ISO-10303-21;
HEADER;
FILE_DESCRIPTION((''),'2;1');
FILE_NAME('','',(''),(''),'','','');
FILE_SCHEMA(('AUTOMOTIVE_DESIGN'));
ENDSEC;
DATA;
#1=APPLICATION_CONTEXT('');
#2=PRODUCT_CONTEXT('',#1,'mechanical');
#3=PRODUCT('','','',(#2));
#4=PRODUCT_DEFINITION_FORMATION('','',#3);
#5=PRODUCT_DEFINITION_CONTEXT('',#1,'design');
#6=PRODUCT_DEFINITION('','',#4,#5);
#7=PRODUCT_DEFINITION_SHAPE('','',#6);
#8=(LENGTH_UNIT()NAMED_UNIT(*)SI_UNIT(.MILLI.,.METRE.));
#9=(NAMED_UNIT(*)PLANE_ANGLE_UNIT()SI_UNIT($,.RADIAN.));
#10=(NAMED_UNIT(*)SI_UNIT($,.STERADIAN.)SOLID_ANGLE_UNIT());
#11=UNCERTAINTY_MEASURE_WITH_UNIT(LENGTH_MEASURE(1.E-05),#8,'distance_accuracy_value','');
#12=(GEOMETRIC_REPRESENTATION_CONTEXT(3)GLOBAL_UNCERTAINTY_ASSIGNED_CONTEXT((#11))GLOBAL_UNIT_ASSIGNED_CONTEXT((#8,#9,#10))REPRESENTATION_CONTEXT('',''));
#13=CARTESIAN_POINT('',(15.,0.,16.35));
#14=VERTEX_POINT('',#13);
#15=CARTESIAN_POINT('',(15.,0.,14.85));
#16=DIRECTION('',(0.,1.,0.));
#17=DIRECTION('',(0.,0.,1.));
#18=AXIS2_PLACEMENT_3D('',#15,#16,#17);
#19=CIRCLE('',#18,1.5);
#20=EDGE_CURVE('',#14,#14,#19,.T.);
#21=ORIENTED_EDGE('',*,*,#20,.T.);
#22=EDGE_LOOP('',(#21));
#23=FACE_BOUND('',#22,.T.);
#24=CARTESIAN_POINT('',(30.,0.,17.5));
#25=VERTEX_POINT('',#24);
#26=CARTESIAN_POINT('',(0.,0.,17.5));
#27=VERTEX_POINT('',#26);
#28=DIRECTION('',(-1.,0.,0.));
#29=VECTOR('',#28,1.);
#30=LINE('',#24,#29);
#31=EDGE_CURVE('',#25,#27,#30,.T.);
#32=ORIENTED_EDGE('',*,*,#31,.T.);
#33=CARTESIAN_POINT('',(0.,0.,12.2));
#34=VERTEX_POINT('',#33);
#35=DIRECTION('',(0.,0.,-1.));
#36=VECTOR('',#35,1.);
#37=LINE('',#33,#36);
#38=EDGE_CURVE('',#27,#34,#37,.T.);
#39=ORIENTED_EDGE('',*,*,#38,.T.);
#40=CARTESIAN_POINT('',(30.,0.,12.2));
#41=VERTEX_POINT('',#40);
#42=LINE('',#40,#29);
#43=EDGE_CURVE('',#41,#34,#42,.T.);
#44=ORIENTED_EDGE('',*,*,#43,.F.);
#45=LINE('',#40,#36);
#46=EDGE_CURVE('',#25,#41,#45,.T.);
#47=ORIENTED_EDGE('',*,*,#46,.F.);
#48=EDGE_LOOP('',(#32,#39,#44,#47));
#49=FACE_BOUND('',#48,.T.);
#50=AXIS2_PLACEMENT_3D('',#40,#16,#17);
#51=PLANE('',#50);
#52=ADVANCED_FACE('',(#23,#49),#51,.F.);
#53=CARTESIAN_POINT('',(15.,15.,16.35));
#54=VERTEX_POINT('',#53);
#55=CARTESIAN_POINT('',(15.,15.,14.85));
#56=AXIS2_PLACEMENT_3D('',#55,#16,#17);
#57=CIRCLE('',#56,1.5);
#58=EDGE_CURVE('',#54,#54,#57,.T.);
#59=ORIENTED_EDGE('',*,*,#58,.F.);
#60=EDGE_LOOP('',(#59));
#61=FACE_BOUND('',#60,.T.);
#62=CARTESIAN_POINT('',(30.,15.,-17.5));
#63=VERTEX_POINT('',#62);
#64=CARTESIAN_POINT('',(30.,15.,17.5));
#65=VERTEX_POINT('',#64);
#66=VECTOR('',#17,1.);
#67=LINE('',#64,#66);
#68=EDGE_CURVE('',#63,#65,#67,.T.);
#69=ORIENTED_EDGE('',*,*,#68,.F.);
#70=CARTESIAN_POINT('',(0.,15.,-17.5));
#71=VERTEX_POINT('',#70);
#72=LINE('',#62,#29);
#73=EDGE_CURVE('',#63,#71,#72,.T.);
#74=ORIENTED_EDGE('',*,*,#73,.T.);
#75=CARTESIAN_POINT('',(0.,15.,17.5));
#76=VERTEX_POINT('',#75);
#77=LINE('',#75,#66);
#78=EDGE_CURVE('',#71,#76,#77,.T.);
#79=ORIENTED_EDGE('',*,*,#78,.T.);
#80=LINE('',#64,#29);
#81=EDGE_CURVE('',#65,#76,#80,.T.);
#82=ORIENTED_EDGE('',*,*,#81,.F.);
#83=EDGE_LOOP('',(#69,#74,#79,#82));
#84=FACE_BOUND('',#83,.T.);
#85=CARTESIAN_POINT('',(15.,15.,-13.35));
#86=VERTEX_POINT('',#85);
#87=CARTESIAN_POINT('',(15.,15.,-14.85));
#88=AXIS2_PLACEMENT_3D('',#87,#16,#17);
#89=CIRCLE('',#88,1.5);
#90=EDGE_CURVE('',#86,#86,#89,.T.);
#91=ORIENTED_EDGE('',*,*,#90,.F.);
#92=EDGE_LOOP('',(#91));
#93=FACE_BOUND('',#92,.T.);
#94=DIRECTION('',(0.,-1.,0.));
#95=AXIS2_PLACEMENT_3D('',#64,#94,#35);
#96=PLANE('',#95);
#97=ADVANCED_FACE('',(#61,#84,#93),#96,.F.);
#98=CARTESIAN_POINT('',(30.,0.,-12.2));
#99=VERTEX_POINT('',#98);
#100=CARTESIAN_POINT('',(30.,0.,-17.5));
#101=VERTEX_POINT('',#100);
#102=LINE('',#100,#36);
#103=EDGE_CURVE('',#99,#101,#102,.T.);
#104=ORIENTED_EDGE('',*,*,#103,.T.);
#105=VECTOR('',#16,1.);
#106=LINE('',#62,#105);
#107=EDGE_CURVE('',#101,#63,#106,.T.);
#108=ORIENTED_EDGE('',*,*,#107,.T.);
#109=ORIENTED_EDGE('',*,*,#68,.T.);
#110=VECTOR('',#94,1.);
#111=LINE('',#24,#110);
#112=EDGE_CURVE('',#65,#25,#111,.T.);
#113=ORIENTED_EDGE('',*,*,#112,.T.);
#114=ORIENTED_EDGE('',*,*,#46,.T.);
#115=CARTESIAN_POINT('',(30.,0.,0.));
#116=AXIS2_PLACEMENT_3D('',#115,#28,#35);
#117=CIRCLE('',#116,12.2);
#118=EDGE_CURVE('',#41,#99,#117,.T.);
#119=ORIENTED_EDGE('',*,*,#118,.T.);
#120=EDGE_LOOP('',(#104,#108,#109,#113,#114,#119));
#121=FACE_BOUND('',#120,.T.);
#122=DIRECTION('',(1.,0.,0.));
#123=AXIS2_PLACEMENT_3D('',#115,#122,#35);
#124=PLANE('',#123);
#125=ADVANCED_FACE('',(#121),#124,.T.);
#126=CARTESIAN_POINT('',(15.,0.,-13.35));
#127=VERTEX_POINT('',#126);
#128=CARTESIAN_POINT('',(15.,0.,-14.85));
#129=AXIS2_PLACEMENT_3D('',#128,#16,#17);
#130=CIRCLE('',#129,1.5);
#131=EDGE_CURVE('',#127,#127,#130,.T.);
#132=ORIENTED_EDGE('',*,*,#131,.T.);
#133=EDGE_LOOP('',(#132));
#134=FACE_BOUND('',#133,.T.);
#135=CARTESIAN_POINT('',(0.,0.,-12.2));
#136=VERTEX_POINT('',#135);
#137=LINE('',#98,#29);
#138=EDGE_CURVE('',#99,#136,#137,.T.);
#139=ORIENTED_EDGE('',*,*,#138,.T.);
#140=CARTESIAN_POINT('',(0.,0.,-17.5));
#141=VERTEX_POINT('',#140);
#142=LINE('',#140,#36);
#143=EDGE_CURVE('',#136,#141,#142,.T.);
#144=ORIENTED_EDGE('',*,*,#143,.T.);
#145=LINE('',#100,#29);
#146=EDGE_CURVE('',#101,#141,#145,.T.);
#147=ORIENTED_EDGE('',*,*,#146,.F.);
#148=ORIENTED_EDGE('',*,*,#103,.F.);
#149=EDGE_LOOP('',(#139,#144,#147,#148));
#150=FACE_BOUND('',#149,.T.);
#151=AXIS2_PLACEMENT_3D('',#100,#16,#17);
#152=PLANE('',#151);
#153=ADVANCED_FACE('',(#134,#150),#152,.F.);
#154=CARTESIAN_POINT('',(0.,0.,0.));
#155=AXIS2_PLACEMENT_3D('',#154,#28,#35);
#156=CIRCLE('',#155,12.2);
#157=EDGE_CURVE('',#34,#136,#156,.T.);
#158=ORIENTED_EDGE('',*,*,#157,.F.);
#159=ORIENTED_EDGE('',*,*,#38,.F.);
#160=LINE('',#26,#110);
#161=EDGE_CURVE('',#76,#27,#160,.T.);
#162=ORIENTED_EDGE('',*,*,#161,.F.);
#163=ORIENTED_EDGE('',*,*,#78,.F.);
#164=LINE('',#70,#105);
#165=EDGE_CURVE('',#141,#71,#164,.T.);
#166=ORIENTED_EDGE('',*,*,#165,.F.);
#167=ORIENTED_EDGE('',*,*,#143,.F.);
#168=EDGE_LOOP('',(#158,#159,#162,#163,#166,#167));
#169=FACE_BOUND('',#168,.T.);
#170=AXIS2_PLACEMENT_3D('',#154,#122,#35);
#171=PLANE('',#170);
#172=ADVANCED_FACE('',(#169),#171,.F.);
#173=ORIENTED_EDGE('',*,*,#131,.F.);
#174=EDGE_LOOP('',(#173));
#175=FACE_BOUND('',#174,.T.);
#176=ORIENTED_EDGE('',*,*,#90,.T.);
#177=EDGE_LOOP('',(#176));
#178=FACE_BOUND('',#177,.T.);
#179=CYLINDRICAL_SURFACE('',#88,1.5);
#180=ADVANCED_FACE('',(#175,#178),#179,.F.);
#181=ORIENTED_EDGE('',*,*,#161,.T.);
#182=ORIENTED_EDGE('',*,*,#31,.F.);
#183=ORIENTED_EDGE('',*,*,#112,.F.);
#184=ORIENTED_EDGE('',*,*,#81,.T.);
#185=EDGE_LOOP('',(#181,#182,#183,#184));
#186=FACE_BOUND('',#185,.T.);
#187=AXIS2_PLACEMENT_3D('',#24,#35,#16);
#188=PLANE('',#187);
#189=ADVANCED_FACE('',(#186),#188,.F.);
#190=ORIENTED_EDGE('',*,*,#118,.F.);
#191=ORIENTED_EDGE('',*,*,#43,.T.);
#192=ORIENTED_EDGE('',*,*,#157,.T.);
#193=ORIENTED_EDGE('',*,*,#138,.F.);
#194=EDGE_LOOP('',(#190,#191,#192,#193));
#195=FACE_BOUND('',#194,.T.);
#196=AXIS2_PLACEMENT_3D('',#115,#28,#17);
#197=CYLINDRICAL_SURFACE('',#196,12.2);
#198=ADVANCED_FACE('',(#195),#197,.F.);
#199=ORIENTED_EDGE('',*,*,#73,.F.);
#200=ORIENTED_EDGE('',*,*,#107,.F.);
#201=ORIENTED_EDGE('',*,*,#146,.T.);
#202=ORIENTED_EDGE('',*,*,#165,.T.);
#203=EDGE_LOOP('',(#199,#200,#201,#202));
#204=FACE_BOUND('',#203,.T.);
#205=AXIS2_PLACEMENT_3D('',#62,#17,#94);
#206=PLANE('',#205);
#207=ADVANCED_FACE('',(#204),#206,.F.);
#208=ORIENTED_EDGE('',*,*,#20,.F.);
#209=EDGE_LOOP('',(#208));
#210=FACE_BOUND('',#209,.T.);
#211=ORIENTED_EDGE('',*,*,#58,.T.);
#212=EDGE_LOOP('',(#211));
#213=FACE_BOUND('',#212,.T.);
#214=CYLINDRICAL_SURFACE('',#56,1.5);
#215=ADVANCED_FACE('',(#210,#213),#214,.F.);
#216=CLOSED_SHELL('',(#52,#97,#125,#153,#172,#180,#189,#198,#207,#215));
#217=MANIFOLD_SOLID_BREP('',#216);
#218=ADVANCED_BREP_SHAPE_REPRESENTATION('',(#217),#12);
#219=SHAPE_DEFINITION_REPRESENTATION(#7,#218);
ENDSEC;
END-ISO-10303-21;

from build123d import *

# Parameters (mm, degrees)
BOSS_EXTRUDE1_DEPTH   = 30
F_3_0MM_DOWEL_HOLE1_D = 3


with BuildPart() as part:
    # Sketch1 → Boss-Extrude1 (new body)
    with BuildSketch(Plane(origin=(0, 0, 0), x_dir=(0, 0, -1), z_dir=(1, 0, 0))):
        with BuildLine():
            Line((-17.5, 0), (-17.5, 15))
            Line((-17.5, 15), (17.5, 15))
            Line((17.5, 15), (17.5, 0))
            Line((17.5, 0), (12.2, 0))
            ThreePointArc((12.2, 0), (0, 12.2), (-12.2, 0))
            Line((-12.2, 0), (-17.5, 0))
        make_face()
    extrude(amount=BOSS_EXTRUDE1_DEPTH)

    # Ø3.0mm Dowel Hole1 (through all)
    with Locations(Plane(origin=(15, 15, -14.85), x_dir=(0, 0, 1), z_dir=(0, 1, 0))):
        with Locations((0, 0), (29.7, 0)):
            Hole(F_3_0MM_DOWEL_HOLE1_D / 2)


solid = part.part
